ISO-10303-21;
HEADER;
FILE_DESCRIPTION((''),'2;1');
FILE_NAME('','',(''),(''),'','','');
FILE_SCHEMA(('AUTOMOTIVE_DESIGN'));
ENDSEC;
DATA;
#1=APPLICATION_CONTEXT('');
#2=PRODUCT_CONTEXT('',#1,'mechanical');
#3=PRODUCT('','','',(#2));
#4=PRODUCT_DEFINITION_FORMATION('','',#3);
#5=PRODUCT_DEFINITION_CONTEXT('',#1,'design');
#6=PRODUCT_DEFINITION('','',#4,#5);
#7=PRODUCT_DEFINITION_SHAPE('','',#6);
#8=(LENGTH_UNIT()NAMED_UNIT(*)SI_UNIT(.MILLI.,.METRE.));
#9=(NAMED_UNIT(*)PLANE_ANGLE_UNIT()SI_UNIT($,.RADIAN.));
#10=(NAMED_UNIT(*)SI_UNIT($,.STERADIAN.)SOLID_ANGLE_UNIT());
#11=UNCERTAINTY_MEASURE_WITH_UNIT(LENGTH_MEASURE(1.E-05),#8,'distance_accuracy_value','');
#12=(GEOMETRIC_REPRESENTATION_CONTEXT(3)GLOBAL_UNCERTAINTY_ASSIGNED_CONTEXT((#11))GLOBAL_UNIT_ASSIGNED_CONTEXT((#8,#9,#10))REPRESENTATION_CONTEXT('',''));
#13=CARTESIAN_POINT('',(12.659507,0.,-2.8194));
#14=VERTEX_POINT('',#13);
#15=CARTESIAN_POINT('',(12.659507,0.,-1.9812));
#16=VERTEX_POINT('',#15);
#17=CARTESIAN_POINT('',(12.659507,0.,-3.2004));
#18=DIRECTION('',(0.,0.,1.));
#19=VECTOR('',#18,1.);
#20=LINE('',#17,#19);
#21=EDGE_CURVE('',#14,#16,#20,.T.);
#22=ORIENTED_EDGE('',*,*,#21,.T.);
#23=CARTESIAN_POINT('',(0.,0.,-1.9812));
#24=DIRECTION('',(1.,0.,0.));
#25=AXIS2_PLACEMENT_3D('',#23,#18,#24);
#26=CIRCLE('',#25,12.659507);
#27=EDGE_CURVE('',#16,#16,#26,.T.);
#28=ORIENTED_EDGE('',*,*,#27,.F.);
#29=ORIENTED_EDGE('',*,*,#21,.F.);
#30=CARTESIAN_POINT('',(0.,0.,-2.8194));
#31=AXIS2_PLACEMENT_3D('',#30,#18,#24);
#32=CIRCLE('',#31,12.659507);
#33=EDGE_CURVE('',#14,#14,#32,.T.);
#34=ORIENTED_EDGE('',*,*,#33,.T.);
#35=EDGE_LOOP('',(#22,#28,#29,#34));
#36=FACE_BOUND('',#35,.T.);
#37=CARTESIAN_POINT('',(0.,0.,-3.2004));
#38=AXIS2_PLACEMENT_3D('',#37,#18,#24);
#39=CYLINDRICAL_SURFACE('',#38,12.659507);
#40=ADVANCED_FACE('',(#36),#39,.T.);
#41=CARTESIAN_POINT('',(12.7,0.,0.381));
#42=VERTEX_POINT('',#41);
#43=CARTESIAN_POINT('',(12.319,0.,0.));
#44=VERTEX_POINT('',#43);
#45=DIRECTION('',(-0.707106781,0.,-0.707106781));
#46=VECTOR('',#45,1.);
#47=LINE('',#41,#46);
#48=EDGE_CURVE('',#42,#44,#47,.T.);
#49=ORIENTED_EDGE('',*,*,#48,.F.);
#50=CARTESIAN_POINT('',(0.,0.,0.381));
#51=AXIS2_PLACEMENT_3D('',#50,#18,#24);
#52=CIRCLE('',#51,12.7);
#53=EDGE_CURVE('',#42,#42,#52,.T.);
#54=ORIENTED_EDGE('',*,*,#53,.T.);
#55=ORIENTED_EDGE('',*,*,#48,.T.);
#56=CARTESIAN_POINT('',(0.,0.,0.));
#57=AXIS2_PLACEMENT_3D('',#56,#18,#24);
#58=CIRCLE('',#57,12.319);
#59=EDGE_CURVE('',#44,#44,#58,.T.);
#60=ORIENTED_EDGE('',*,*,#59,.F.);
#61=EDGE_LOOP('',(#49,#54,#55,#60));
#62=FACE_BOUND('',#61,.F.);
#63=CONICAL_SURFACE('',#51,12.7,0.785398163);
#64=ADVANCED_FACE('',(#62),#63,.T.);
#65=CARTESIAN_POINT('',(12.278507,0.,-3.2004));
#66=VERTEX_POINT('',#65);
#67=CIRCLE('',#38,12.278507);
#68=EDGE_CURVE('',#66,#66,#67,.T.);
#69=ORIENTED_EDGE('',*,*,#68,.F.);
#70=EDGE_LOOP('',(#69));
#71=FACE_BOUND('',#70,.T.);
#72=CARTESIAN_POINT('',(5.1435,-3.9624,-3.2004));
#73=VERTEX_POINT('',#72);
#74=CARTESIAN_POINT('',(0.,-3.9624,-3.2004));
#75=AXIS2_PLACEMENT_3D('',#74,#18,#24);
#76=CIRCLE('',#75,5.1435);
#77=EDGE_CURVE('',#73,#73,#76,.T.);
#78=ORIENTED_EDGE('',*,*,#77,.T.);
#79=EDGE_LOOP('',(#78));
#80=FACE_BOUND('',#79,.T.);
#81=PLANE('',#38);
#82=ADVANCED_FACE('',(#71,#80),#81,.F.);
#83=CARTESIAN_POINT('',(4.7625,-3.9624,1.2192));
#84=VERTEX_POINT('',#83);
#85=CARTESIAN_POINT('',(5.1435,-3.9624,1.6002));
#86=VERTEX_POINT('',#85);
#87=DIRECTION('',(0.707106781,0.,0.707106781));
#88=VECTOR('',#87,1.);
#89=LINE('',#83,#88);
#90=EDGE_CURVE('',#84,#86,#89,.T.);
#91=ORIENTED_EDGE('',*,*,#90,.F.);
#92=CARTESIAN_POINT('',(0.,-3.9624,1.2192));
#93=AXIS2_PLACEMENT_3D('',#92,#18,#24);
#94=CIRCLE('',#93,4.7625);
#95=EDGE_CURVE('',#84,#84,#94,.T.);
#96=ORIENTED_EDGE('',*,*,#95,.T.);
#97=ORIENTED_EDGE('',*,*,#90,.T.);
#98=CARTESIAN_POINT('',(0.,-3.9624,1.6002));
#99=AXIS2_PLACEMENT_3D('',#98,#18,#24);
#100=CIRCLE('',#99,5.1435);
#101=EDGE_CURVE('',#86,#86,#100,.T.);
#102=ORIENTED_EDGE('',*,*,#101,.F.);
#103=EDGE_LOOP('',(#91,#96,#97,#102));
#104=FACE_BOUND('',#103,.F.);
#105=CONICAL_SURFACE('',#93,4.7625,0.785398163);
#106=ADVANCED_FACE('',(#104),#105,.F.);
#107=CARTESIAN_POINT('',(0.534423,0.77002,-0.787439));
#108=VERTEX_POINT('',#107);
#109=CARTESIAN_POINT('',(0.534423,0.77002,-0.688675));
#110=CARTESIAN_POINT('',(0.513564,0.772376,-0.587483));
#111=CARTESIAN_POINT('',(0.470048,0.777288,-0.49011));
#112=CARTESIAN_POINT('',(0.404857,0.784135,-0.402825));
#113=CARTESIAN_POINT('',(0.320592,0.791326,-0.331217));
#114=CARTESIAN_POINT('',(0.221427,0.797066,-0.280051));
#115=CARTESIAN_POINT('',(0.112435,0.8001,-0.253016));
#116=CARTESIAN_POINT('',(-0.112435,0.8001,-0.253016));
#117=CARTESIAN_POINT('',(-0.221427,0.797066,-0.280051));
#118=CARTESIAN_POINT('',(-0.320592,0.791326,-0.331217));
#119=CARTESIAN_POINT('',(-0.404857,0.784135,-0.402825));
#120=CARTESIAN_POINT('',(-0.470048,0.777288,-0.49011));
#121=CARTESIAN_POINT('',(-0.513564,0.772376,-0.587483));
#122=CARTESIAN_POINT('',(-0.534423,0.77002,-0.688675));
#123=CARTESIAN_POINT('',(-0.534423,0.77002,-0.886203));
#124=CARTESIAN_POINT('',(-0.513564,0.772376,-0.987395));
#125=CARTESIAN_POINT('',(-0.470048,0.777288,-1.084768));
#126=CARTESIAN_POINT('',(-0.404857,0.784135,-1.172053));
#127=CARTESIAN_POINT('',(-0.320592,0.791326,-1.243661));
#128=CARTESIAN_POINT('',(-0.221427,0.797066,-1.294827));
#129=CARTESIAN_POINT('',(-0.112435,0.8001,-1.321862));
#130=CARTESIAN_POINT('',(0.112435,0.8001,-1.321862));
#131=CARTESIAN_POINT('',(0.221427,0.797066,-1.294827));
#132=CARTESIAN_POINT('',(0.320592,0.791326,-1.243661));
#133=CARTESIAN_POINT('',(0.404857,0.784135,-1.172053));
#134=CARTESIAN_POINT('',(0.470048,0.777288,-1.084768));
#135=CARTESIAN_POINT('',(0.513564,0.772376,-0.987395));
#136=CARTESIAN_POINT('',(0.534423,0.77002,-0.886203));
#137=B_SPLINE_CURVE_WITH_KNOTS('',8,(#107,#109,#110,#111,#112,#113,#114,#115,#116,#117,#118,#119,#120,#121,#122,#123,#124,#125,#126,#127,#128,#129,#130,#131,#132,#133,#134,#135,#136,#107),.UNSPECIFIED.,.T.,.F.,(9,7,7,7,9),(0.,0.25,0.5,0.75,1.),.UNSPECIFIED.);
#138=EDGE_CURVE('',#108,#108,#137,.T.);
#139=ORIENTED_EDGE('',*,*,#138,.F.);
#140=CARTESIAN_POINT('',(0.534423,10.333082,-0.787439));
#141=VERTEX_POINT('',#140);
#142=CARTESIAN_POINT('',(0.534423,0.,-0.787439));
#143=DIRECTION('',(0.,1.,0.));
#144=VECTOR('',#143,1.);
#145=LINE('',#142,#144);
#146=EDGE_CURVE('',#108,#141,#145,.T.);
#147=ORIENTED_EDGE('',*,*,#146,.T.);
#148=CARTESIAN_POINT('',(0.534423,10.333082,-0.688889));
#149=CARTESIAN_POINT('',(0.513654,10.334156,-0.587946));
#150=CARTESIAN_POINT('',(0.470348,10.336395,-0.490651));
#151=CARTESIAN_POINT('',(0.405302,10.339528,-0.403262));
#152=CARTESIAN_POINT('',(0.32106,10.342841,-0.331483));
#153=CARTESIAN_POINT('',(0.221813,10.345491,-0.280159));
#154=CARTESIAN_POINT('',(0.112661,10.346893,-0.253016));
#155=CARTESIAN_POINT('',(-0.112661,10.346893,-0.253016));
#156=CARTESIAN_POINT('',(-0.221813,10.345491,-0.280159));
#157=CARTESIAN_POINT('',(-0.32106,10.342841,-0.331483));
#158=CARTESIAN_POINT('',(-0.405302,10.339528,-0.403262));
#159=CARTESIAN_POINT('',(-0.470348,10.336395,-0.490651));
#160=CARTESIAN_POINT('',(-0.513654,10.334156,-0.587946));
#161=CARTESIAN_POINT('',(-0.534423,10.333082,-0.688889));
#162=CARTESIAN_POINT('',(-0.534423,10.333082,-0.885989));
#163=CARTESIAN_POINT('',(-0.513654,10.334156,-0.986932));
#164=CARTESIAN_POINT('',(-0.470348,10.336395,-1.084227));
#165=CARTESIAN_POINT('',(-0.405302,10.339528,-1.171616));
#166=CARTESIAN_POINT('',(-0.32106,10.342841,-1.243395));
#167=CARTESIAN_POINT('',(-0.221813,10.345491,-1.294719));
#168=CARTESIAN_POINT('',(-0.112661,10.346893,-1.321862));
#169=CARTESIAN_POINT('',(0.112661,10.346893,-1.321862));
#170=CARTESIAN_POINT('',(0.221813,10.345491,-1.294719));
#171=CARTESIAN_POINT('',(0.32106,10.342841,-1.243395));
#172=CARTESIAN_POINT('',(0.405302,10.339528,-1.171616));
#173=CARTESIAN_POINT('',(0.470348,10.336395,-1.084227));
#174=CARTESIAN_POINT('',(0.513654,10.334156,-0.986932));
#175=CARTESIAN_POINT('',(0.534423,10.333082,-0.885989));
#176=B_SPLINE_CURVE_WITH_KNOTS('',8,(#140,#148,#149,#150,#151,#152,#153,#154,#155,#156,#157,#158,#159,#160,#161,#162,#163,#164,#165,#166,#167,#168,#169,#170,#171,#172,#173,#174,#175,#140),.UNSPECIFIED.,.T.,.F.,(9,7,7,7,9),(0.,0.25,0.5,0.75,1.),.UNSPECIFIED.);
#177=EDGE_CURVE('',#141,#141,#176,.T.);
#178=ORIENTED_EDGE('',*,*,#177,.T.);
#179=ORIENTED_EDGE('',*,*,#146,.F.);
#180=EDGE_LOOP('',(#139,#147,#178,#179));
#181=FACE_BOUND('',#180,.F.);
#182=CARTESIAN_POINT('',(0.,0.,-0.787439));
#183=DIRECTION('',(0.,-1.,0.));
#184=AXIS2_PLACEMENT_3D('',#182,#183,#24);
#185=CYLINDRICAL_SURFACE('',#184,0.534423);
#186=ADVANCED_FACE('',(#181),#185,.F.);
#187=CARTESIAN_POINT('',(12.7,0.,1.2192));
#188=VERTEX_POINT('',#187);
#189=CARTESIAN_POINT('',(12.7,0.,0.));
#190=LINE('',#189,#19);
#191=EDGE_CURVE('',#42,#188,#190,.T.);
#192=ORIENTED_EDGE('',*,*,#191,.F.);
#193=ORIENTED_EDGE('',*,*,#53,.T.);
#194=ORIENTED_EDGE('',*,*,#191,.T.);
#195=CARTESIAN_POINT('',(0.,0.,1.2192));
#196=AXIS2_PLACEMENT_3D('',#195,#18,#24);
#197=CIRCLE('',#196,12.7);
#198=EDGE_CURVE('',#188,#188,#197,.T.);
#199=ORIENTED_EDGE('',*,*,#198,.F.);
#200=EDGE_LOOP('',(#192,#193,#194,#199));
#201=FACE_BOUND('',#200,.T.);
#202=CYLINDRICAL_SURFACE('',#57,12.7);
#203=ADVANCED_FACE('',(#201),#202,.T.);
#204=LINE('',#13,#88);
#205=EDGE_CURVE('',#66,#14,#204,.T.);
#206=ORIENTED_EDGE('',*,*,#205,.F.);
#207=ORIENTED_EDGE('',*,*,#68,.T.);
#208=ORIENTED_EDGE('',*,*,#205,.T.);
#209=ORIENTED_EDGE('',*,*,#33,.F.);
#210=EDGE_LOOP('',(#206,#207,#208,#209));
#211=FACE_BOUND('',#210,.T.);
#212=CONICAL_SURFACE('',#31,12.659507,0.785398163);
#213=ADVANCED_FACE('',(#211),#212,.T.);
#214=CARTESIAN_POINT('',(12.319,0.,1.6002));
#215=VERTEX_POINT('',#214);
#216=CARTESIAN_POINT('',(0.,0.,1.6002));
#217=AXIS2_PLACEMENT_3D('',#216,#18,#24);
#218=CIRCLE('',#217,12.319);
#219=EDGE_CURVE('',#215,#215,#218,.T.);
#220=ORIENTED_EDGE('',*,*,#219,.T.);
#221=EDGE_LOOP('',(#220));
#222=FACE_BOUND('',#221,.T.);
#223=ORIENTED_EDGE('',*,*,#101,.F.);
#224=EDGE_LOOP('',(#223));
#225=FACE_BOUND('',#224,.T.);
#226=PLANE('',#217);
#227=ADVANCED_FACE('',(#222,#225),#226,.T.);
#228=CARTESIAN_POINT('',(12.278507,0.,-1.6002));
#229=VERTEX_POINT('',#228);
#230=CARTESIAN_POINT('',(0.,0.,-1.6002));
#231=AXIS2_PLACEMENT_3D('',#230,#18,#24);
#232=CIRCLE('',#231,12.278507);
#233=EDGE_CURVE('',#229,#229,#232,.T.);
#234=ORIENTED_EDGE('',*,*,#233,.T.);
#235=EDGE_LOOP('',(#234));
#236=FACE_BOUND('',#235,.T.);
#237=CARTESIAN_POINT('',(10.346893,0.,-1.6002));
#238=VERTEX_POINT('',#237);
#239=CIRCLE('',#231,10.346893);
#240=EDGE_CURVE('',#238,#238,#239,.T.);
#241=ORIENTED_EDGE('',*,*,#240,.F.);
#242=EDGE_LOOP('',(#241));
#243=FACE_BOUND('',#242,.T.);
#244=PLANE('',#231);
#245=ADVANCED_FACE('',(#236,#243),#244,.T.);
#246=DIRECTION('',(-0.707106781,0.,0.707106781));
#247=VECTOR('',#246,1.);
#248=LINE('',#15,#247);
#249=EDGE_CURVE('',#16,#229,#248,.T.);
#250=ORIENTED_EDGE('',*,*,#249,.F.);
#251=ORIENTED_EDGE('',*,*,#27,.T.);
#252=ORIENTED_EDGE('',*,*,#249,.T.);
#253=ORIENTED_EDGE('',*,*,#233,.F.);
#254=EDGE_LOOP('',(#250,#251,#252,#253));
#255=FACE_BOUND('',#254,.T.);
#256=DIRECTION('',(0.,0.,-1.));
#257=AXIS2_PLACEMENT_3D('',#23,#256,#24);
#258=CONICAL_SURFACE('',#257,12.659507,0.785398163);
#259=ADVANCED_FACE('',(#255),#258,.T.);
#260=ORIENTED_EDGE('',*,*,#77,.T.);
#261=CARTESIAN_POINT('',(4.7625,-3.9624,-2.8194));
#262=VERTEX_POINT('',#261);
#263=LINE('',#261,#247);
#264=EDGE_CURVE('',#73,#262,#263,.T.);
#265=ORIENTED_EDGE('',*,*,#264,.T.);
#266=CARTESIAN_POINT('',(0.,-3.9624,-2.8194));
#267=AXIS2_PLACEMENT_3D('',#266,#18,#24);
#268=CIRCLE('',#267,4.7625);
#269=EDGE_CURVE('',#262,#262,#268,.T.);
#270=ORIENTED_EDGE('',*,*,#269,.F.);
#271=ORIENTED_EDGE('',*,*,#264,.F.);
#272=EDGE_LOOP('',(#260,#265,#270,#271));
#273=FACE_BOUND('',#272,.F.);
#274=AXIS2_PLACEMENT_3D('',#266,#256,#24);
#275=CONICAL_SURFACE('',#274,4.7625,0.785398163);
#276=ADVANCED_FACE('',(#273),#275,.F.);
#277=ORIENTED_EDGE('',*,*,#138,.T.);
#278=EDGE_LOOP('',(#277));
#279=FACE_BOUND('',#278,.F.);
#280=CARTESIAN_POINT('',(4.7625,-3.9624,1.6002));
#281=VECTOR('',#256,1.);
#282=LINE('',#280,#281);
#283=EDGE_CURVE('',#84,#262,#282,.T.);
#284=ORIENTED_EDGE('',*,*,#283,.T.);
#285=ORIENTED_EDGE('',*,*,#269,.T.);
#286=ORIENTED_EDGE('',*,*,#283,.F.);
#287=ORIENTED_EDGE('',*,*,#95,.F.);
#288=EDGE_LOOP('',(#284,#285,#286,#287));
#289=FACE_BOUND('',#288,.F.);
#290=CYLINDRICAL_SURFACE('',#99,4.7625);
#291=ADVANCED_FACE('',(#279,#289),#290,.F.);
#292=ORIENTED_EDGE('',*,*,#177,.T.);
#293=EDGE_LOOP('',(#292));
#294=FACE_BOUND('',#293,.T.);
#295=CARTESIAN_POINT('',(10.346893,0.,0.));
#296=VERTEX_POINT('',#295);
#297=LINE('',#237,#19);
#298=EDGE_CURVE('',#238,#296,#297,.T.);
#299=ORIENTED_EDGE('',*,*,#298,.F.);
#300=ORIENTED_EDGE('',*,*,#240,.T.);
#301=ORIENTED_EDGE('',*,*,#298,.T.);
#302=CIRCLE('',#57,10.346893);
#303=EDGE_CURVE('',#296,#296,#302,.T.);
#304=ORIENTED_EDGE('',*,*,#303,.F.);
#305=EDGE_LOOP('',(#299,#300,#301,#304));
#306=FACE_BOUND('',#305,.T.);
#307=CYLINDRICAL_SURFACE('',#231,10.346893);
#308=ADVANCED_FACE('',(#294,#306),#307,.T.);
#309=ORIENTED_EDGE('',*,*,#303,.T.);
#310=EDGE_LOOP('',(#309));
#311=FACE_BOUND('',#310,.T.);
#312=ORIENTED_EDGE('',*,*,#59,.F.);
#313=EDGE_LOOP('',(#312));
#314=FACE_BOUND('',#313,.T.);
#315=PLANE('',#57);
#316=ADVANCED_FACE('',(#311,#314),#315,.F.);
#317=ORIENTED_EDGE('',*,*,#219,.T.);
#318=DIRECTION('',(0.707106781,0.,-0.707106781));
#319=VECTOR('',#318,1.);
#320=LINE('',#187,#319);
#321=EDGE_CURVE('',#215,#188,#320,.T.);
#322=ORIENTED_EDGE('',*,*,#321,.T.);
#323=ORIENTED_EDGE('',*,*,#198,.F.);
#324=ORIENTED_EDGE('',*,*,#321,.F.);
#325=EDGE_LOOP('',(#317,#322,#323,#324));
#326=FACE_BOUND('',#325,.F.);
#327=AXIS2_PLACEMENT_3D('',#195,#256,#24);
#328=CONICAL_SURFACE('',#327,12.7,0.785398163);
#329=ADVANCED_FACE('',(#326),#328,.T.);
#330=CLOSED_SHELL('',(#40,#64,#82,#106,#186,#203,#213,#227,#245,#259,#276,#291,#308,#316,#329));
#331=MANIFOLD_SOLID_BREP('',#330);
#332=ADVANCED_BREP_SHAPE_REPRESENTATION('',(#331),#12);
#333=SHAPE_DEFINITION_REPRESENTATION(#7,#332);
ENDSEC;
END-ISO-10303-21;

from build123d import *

# Parameters (mm, degrees)
F2_R     = 4.7625
F3_DEPTH = 5.08
F4_SIZE  = 0.381
F5_R     = 0.534423
F6_DEPTH = 25.4


with BuildPart() as f1:
    # F0 (on Front) → F1 (revolve)
    with BuildSketch(Plane.XZ):
        Polygon((0, 1.6002), (0, 0), (0, -3.2004), (12.659507, -3.2004), (12.659507, -1.6002), (10.346893, -1.6002), (10.346893, 0), (12.7, 0), (12.7, 1.6002), align=None)
    revolve(axis=Axis((0, 0, 0.8001), (0, 0, 1)))

    # F2 (on face) → F3 (cut)
    with BuildSketch(Plane.XY.offset(1.6002)):
        with Locations((0, -3.9624)):
            Circle(F2_R)
    extrude(amount=-F3_DEPTH, mode=Mode.SUBTRACT)

    # F4
    f4_edges = [f1.edges().sort_by_distance(p)[0] for p in [
        (-4.7625, -3.9624, 1.6002),
        (-12.7, 0, 1.6002),
        (-12.7, 0, 0),
        (-12.659507, 0, -1.6002),
        (-12.659507, 0, -3.2004),
        (-4.7625, -3.9624, -3.2004),
    ]]
    chamfer(f4_edges, length=F4_SIZE)

    # F5 (on Front) → F6 (cut)
    with BuildSketch(Plane.XZ):
        with Locations((0, -0.787439)):
            Circle(F5_R)
    extrude(amount=-F6_DEPTH, mode=Mode.SUBTRACT)


solid = f1.part
